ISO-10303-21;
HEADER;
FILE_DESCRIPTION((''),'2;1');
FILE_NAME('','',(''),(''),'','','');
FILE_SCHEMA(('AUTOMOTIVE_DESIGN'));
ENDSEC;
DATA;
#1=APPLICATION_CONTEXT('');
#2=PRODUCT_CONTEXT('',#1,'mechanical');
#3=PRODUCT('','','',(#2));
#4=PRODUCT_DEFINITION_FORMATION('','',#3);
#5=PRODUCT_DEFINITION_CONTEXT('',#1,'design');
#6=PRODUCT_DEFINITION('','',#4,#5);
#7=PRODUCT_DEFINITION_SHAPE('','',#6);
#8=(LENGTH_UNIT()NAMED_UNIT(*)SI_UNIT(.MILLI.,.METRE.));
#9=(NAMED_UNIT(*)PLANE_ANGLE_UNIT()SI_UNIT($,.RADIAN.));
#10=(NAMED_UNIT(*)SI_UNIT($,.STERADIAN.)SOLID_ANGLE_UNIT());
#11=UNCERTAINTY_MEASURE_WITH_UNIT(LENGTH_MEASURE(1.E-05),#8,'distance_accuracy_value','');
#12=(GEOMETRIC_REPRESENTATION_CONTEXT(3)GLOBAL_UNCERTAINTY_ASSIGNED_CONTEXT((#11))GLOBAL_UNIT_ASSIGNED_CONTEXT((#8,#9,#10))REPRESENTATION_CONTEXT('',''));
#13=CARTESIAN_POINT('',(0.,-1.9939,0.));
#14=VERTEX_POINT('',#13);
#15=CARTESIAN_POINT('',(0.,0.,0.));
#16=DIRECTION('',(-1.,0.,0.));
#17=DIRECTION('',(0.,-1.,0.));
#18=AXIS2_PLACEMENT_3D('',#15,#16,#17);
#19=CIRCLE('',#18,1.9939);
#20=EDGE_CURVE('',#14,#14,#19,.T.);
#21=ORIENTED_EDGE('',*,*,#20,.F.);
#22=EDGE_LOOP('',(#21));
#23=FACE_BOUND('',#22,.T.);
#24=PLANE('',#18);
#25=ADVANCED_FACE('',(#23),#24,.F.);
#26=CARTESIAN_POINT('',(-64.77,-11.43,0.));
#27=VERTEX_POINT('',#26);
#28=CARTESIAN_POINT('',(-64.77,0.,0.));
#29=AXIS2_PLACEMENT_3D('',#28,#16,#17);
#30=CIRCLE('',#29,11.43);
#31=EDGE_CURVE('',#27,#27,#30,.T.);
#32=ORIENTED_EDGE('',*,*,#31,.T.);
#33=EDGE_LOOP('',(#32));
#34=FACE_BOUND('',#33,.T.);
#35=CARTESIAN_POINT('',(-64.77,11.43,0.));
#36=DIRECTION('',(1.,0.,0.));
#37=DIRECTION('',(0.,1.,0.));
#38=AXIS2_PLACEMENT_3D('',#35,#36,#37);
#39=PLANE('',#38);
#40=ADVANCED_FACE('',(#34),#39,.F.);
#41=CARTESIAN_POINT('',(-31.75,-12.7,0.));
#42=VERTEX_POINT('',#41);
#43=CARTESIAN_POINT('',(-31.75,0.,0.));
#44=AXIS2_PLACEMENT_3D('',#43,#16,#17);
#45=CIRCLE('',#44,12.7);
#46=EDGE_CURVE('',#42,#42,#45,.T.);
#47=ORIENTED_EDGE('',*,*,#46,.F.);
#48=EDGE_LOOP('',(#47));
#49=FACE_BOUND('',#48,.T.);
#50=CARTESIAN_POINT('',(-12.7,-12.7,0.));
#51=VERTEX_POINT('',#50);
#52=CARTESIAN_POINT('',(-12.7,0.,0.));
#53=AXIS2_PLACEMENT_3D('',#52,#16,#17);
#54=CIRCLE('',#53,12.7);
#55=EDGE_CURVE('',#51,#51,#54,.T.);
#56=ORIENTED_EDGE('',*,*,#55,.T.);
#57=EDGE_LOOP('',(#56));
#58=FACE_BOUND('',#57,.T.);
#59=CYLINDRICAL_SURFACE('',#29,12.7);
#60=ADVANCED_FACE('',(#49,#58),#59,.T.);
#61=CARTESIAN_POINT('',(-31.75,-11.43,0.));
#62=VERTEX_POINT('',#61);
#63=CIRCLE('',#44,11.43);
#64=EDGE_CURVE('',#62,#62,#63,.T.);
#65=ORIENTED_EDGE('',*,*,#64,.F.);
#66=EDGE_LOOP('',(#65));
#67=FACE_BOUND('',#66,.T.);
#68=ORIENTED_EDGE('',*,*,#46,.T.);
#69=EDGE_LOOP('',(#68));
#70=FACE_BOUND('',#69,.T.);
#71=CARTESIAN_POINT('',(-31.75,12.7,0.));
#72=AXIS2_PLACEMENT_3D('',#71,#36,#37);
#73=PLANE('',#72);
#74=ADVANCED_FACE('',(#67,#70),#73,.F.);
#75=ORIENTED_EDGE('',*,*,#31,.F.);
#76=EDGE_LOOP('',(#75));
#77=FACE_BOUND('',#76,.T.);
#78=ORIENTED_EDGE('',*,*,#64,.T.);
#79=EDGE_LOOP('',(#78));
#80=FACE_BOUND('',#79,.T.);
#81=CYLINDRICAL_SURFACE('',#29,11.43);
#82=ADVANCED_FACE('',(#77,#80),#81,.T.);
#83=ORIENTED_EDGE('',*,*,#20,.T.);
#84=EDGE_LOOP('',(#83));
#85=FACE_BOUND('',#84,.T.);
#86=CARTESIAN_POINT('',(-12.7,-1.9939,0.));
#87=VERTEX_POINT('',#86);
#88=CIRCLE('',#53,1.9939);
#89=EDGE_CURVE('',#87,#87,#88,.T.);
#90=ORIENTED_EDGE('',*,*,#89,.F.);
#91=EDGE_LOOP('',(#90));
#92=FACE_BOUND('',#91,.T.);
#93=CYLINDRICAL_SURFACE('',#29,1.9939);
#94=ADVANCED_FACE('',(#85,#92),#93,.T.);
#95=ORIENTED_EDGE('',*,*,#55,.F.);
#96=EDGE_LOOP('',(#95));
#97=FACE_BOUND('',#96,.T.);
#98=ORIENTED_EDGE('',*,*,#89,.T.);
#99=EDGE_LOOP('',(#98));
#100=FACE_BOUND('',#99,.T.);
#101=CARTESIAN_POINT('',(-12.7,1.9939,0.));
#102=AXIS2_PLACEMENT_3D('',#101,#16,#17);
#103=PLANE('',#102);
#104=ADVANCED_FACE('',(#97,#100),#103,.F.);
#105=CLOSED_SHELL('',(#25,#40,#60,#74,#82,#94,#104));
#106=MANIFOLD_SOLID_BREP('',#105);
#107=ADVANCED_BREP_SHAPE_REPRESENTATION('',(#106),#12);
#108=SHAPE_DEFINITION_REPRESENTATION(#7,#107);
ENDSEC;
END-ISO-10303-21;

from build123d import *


with BuildPart() as part:
    # Sketch1 → Revolve1 (revolve)
    with BuildSketch(Plane.XY, mode=Mode.PRIVATE) as revolve1_sk:
        Polygon((0, 0), (0, 1.9939), (-12.7, 1.9939), (-12.7, 12.7), (-31.75, 12.7), (-31.75, 11.43), (-64.77, 11.43), (-64.77, 0), align=None)
    revolve(revolve1_sk.sketch.rotate(Axis((-64.77, 0, 0), (1, 0, 0)), 180), axis=Axis((-64.77, 0, 0), (1, 0, 0)))


solid = part.part
